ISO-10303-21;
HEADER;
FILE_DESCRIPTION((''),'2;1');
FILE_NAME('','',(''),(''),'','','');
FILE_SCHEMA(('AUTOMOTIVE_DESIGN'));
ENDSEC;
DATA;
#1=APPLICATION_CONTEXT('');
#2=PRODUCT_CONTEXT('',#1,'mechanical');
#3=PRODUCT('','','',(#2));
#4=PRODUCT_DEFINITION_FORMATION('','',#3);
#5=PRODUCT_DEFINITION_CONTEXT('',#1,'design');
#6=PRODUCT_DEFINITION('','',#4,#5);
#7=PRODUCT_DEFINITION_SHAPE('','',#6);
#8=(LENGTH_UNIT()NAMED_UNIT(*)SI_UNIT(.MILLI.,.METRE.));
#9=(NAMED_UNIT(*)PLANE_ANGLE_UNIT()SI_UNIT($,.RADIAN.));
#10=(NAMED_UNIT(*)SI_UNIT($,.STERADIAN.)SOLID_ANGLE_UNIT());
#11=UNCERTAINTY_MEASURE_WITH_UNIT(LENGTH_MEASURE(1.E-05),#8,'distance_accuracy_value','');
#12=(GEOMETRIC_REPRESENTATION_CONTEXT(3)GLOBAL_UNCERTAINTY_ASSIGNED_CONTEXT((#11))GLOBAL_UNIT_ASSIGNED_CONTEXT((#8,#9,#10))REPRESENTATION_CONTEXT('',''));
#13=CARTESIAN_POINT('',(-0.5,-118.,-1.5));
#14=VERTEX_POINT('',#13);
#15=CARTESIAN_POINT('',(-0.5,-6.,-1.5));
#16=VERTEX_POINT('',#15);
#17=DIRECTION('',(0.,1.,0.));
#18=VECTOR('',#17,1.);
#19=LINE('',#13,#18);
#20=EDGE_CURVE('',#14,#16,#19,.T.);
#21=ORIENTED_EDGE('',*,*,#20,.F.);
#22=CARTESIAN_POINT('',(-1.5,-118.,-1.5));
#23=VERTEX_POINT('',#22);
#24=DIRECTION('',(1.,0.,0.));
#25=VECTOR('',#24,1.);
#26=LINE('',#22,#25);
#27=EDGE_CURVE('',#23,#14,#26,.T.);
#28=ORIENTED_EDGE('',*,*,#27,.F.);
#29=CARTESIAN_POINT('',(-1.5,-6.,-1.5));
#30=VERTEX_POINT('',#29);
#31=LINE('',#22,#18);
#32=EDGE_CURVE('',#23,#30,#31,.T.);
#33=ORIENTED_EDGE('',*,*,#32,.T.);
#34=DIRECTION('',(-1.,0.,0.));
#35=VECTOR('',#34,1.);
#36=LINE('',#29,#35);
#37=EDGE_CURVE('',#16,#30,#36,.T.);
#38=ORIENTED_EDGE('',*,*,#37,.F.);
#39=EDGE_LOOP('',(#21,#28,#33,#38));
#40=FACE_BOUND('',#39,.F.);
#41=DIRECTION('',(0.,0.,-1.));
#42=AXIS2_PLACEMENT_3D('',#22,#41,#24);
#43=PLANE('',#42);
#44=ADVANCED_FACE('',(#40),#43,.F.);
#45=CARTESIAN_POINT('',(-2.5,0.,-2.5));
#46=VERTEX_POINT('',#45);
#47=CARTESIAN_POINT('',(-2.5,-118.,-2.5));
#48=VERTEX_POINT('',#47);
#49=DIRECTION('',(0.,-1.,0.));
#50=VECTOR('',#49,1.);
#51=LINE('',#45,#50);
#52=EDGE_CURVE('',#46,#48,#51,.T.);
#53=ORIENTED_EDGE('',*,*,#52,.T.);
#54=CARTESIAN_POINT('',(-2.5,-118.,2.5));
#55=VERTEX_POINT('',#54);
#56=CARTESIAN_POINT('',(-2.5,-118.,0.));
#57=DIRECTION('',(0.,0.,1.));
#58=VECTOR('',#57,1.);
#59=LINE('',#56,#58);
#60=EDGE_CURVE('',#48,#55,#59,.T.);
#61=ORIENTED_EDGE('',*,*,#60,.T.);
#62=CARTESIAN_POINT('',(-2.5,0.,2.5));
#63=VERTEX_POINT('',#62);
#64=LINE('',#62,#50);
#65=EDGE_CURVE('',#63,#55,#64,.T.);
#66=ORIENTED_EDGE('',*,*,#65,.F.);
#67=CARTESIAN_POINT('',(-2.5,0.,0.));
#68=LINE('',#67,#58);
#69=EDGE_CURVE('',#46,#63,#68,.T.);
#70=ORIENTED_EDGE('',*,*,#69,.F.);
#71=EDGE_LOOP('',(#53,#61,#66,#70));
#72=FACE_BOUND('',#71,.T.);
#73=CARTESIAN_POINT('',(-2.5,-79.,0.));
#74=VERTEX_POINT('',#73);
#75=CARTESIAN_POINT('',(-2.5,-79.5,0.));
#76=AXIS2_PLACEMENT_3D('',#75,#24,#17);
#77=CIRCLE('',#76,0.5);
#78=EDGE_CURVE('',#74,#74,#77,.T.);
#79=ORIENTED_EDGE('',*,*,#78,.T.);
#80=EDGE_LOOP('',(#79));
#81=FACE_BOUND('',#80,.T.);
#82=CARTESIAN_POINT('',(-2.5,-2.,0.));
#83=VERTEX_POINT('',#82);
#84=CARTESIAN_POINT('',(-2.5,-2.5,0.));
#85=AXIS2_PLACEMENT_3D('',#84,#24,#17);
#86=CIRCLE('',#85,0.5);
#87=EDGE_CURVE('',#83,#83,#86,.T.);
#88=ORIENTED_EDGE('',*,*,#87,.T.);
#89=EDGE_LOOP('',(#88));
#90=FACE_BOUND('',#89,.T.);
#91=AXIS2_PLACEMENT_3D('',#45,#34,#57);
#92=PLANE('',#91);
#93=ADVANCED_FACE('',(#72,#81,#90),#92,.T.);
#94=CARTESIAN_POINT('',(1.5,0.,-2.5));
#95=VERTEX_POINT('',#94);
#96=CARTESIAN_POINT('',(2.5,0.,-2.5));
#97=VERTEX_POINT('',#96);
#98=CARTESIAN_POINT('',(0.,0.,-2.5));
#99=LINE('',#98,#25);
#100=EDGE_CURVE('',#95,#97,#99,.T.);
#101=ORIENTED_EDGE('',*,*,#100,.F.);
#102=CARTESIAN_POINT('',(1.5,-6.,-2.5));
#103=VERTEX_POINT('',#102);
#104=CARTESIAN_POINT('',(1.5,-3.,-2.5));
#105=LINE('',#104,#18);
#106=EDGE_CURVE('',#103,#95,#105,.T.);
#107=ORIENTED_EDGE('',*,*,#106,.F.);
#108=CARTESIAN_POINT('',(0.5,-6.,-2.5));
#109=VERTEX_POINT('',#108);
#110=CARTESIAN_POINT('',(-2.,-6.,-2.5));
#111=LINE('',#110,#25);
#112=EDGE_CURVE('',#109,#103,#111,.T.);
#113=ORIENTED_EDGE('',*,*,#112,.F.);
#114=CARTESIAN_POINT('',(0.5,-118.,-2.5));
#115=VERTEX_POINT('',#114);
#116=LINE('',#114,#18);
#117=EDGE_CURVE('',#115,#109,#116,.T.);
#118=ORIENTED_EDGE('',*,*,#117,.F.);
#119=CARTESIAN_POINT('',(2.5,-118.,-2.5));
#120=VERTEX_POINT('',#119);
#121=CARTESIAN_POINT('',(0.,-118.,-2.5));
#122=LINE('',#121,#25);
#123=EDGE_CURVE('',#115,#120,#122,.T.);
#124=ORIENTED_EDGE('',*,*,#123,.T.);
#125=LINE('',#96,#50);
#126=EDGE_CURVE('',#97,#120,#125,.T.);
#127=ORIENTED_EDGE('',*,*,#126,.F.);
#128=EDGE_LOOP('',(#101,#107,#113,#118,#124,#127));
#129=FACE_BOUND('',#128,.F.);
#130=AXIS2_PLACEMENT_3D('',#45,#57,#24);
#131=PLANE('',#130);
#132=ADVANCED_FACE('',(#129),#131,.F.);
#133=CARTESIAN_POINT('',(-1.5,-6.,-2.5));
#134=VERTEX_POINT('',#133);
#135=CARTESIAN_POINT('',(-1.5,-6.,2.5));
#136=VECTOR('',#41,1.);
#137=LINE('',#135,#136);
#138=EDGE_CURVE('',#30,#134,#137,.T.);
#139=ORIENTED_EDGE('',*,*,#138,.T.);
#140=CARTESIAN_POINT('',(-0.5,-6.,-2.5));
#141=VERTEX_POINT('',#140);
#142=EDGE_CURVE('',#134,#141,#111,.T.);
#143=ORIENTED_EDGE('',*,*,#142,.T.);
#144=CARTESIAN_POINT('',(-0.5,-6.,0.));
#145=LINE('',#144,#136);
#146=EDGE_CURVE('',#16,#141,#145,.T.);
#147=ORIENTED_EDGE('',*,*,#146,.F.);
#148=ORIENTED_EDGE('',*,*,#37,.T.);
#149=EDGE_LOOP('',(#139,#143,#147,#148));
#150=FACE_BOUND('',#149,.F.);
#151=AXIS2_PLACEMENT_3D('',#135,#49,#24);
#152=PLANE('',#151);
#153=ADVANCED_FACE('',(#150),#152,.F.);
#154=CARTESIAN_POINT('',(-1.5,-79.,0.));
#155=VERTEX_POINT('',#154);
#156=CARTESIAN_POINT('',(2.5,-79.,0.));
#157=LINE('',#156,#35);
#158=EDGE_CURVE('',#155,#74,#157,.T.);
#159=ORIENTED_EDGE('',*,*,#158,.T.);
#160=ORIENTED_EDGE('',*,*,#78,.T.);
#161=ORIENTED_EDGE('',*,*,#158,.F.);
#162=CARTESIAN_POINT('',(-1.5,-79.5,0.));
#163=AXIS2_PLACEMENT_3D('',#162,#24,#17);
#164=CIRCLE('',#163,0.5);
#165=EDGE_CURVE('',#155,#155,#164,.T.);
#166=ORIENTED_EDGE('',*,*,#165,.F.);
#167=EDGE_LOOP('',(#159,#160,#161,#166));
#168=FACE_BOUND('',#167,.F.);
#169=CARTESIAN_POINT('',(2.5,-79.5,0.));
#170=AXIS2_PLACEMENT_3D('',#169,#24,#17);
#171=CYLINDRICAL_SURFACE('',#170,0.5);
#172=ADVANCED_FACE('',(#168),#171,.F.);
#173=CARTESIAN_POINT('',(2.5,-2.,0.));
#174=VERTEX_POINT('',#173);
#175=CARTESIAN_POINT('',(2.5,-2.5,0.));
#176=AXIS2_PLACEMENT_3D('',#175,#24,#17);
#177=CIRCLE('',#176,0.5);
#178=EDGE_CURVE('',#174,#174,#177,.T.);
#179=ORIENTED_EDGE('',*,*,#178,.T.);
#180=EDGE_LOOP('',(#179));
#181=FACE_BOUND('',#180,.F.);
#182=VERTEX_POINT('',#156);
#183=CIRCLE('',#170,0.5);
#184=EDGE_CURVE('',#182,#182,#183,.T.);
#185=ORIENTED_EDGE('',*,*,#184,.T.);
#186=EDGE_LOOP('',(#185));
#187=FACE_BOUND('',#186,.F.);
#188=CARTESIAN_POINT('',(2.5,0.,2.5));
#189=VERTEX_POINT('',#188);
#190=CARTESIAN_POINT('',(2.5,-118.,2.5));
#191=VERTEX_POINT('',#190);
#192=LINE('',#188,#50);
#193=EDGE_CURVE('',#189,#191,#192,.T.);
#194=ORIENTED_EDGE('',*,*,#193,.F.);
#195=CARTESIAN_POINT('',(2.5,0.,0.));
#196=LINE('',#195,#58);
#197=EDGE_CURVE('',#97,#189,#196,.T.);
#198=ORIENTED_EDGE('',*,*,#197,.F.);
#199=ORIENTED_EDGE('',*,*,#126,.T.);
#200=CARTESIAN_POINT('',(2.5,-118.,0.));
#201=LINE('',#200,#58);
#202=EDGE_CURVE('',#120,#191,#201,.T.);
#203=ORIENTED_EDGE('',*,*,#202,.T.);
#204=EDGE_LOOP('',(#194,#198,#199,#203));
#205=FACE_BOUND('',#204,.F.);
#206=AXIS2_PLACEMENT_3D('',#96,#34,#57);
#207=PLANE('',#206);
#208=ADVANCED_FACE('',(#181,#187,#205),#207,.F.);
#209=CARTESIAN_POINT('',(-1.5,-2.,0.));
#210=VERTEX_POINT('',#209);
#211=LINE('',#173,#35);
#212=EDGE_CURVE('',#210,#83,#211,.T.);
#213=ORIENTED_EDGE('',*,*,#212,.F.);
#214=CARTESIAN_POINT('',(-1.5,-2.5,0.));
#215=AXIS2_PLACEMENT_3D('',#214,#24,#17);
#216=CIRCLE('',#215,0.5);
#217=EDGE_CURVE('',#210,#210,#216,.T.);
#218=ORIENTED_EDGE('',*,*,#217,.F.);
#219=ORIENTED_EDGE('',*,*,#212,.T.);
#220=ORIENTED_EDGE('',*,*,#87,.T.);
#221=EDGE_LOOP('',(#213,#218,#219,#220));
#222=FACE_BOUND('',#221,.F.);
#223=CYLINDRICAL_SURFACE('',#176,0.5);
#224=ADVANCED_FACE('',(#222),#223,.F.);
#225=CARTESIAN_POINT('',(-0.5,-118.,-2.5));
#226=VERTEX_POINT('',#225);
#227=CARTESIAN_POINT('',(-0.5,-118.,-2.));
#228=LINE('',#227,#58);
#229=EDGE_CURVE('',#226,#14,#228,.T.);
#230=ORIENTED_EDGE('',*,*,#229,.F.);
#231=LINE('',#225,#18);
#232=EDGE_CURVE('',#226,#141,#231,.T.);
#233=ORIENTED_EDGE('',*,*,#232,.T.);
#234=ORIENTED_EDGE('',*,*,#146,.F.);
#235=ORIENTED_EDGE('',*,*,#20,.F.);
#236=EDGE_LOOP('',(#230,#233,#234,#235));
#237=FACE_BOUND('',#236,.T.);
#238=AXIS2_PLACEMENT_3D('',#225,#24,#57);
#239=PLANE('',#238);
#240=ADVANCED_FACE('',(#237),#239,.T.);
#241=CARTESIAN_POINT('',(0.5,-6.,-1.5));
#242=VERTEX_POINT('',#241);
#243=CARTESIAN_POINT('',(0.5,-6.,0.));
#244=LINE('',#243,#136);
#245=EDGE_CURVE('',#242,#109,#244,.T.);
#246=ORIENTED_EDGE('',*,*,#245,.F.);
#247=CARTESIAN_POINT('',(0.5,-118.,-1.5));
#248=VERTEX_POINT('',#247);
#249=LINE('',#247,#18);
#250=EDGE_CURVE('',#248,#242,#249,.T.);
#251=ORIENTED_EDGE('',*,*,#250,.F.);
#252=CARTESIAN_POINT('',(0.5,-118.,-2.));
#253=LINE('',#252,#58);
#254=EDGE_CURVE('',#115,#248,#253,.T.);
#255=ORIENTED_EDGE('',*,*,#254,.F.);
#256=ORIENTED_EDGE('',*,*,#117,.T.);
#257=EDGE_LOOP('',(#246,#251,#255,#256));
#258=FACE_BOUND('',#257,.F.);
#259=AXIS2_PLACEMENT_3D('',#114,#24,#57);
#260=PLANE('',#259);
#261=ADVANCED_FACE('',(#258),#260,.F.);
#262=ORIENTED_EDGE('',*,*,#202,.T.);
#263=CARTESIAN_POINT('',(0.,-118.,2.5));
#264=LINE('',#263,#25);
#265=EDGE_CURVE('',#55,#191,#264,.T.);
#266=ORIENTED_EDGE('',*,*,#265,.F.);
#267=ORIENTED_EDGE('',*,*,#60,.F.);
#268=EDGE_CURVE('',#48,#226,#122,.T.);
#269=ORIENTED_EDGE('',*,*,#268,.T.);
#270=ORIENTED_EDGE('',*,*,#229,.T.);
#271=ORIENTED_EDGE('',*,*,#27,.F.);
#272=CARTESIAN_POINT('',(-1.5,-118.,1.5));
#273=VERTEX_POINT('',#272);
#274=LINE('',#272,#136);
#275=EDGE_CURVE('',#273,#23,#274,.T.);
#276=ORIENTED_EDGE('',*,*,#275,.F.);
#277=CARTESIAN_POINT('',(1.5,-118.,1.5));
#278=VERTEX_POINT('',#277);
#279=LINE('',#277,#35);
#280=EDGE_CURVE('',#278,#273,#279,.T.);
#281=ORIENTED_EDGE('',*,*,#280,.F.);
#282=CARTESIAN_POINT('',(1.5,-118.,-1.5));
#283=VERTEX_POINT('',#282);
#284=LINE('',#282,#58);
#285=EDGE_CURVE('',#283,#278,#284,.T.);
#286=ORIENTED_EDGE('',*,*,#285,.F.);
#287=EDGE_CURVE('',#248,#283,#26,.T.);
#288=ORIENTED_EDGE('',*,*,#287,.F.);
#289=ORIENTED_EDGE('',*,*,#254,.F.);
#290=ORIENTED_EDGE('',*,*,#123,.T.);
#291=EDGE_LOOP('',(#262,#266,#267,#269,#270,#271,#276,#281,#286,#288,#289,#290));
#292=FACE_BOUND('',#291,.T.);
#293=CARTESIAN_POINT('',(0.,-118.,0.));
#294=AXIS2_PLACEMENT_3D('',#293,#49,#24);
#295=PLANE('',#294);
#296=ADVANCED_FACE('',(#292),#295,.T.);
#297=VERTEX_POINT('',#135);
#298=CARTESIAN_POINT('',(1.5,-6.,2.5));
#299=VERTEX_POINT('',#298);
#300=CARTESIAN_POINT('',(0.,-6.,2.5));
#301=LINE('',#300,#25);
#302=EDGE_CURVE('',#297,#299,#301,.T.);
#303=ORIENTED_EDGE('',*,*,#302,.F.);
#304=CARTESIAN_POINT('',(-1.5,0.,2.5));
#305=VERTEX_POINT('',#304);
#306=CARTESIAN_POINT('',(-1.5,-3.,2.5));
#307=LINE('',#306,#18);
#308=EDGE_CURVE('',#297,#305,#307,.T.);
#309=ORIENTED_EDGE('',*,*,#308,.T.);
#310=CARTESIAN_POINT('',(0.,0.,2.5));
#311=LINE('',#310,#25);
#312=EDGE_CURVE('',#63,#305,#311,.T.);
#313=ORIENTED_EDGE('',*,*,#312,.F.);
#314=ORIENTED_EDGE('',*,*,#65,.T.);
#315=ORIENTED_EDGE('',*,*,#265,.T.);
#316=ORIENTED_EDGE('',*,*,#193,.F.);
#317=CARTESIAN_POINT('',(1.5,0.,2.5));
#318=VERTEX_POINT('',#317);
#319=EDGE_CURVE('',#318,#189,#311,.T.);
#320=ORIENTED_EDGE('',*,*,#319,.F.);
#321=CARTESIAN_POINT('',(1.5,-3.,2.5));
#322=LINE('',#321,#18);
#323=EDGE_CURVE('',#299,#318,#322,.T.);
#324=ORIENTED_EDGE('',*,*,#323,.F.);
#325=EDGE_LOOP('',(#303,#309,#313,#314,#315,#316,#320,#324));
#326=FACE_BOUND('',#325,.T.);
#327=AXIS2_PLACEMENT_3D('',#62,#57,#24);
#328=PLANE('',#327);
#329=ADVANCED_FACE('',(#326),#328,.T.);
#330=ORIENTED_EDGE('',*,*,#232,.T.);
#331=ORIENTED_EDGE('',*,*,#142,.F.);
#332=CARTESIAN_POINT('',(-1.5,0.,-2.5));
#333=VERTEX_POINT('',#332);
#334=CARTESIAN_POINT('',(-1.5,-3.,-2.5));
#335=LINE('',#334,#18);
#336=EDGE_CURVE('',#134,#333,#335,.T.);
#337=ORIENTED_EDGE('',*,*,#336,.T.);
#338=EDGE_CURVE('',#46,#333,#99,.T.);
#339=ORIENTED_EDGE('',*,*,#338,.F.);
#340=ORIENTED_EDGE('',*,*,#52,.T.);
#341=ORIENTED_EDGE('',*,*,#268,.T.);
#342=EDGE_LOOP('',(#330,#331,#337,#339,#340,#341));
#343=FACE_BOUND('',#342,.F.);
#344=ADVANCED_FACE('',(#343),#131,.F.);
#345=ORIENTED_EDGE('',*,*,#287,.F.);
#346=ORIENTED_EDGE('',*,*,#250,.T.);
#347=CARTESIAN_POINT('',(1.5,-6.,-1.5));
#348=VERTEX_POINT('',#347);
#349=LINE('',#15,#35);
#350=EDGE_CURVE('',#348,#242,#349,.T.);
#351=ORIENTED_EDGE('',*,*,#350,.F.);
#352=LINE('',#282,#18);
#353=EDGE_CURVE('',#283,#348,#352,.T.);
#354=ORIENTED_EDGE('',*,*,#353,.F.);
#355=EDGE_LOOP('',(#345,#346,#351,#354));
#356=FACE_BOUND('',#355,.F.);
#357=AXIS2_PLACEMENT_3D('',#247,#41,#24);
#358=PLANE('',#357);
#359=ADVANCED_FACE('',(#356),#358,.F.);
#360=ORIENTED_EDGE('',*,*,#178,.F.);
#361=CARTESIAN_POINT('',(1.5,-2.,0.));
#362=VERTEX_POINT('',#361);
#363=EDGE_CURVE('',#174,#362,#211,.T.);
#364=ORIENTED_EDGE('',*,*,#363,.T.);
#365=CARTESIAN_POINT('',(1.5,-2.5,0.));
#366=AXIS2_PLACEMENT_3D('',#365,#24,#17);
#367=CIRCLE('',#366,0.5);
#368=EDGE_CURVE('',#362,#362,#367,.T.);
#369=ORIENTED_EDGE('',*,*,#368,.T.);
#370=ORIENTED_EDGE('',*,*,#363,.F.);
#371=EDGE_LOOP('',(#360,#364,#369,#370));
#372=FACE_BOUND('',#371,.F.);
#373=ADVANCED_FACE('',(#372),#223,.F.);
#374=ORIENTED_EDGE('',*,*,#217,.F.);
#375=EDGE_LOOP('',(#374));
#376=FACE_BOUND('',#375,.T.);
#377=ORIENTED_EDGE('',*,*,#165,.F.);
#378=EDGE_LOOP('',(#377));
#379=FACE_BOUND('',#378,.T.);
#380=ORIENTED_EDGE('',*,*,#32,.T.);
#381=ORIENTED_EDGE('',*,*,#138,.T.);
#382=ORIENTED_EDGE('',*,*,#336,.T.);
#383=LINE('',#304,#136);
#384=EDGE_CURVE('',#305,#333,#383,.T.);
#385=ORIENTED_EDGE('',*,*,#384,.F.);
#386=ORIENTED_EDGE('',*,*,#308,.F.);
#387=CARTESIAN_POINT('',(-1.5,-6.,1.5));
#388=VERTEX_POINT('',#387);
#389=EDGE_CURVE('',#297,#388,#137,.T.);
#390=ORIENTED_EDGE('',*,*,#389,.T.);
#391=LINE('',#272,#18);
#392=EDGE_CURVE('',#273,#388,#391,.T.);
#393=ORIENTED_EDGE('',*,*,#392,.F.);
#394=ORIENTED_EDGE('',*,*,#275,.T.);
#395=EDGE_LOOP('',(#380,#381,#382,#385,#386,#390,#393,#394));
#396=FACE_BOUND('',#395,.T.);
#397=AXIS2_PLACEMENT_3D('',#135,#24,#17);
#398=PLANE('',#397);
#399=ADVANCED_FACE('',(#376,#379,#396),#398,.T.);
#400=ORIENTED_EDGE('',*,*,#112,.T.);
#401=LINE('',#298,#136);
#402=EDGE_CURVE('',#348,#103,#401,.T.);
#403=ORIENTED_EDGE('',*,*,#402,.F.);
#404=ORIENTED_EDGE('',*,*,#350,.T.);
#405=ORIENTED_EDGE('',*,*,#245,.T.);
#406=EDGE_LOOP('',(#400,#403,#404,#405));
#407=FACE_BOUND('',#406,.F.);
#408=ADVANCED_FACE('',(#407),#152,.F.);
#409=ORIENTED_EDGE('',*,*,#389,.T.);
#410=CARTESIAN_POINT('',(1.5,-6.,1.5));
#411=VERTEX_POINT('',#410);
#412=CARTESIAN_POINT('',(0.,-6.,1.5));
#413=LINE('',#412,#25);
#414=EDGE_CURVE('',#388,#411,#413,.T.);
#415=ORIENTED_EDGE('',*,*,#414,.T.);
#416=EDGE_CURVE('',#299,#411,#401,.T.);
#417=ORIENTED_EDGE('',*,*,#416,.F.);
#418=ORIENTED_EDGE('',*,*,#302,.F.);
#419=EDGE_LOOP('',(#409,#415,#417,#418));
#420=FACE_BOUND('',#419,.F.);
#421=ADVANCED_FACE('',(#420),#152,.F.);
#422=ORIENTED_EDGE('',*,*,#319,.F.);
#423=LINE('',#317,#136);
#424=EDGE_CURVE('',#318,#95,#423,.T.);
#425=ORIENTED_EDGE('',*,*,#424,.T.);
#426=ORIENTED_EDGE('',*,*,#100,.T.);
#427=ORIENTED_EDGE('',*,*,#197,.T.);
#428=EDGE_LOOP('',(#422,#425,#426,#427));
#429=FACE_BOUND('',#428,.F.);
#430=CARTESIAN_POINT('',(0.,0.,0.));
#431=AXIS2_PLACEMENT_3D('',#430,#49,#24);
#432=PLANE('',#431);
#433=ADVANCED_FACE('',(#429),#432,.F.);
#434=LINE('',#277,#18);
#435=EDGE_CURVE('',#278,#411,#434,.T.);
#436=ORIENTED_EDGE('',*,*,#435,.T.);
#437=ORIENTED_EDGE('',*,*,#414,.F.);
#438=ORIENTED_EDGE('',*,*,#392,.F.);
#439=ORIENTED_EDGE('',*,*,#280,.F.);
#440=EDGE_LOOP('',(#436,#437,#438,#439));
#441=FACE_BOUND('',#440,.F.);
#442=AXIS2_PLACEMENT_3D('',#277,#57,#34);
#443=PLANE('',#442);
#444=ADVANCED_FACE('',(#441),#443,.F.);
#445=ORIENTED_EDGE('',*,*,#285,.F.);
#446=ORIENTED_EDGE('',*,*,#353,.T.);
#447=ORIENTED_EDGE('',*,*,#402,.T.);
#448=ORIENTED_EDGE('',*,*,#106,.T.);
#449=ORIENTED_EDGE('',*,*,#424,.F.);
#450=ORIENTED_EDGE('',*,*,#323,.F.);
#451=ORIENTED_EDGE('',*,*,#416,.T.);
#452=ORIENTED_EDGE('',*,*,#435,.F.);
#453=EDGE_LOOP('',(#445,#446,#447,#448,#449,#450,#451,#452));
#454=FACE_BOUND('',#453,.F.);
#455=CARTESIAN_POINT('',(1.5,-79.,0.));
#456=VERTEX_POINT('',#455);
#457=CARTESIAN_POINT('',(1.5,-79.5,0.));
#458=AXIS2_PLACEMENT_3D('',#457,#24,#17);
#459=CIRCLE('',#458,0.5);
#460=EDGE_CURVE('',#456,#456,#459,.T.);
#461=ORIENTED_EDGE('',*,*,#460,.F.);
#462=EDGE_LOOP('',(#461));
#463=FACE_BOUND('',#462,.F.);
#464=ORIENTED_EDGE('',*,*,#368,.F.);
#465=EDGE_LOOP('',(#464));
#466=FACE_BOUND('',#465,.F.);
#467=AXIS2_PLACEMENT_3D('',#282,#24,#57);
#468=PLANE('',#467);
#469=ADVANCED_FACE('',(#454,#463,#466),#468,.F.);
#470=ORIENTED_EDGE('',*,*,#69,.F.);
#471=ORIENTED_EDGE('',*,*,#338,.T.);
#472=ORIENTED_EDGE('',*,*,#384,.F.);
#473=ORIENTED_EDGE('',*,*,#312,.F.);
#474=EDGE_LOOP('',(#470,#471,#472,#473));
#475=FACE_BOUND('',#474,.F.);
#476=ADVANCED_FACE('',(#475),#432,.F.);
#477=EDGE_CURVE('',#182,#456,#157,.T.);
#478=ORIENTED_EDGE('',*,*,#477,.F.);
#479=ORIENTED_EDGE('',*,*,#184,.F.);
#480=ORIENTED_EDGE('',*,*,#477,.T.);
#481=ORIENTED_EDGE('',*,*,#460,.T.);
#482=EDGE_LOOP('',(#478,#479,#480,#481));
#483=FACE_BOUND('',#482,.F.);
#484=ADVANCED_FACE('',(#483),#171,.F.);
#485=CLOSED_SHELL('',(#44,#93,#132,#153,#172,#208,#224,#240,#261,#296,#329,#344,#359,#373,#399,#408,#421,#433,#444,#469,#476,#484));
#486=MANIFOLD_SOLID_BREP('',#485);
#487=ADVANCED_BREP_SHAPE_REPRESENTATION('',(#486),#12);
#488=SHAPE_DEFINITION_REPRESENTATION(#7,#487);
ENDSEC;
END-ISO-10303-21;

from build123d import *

# Parameters (mm, degrees)
F0_W     = 5
F0_H     = 5
F1_DEPTH = 118
F2_W     = 1
F2_H     = 1
F3_DEPTH = 118.001
F4_R     = 0.5
F5_DEPTH = 5.001
F6_R     = 0.5
F7_DEPTH = 5.001
F8_W     = 3
F8_H     = 6
F9_DEPTH = 5.001


with BuildPart() as f1:
    # F0 (on Front) → F1 (new body)
    with BuildSketch(Plane.XZ):
        Rectangle(F0_W, F0_H)
    extrude(amount=F1_DEPTH)

    # F2 (on face) → F3 (cut, through all)
    with BuildSketch(Plane.XZ.offset(118)):
        Polygon((0.5, -1.5), (1.5, -1.5), (1.5, 1.5), (-1.5, 1.5), (-1.5, -1.5), (-0.5, -1.5), align=None)
        with Locations((0, -2)):
            Rectangle(F2_W, F2_H)
    extrude(amount=-F3_DEPTH, mode=Mode.SUBTRACT)

    # F4 (on face) → F5 (cut, through all)
    with BuildSketch(Plane.YZ.offset(2.5)):
        with Locations((-79.5, 0)):
            Circle(F4_R)
    extrude(amount=-F5_DEPTH, mode=Mode.SUBTRACT)

    # F6 (on face) → F7 (cut, through all)
    with BuildSketch(Plane.YZ.offset(2.5)):
        with Locations((-2.5, 0)):
            Circle(F6_R)
    extrude(amount=-F7_DEPTH, mode=Mode.SUBTRACT)

    # F8 (on face) → F9 (cut, through all)
    with BuildSketch(Plane.XY.offset(2.5)):
        with Locations((0, -3)):
            Rectangle(F8_W, F8_H)
    extrude(amount=-F9_DEPTH, mode=Mode.SUBTRACT)


solid = f1.part
